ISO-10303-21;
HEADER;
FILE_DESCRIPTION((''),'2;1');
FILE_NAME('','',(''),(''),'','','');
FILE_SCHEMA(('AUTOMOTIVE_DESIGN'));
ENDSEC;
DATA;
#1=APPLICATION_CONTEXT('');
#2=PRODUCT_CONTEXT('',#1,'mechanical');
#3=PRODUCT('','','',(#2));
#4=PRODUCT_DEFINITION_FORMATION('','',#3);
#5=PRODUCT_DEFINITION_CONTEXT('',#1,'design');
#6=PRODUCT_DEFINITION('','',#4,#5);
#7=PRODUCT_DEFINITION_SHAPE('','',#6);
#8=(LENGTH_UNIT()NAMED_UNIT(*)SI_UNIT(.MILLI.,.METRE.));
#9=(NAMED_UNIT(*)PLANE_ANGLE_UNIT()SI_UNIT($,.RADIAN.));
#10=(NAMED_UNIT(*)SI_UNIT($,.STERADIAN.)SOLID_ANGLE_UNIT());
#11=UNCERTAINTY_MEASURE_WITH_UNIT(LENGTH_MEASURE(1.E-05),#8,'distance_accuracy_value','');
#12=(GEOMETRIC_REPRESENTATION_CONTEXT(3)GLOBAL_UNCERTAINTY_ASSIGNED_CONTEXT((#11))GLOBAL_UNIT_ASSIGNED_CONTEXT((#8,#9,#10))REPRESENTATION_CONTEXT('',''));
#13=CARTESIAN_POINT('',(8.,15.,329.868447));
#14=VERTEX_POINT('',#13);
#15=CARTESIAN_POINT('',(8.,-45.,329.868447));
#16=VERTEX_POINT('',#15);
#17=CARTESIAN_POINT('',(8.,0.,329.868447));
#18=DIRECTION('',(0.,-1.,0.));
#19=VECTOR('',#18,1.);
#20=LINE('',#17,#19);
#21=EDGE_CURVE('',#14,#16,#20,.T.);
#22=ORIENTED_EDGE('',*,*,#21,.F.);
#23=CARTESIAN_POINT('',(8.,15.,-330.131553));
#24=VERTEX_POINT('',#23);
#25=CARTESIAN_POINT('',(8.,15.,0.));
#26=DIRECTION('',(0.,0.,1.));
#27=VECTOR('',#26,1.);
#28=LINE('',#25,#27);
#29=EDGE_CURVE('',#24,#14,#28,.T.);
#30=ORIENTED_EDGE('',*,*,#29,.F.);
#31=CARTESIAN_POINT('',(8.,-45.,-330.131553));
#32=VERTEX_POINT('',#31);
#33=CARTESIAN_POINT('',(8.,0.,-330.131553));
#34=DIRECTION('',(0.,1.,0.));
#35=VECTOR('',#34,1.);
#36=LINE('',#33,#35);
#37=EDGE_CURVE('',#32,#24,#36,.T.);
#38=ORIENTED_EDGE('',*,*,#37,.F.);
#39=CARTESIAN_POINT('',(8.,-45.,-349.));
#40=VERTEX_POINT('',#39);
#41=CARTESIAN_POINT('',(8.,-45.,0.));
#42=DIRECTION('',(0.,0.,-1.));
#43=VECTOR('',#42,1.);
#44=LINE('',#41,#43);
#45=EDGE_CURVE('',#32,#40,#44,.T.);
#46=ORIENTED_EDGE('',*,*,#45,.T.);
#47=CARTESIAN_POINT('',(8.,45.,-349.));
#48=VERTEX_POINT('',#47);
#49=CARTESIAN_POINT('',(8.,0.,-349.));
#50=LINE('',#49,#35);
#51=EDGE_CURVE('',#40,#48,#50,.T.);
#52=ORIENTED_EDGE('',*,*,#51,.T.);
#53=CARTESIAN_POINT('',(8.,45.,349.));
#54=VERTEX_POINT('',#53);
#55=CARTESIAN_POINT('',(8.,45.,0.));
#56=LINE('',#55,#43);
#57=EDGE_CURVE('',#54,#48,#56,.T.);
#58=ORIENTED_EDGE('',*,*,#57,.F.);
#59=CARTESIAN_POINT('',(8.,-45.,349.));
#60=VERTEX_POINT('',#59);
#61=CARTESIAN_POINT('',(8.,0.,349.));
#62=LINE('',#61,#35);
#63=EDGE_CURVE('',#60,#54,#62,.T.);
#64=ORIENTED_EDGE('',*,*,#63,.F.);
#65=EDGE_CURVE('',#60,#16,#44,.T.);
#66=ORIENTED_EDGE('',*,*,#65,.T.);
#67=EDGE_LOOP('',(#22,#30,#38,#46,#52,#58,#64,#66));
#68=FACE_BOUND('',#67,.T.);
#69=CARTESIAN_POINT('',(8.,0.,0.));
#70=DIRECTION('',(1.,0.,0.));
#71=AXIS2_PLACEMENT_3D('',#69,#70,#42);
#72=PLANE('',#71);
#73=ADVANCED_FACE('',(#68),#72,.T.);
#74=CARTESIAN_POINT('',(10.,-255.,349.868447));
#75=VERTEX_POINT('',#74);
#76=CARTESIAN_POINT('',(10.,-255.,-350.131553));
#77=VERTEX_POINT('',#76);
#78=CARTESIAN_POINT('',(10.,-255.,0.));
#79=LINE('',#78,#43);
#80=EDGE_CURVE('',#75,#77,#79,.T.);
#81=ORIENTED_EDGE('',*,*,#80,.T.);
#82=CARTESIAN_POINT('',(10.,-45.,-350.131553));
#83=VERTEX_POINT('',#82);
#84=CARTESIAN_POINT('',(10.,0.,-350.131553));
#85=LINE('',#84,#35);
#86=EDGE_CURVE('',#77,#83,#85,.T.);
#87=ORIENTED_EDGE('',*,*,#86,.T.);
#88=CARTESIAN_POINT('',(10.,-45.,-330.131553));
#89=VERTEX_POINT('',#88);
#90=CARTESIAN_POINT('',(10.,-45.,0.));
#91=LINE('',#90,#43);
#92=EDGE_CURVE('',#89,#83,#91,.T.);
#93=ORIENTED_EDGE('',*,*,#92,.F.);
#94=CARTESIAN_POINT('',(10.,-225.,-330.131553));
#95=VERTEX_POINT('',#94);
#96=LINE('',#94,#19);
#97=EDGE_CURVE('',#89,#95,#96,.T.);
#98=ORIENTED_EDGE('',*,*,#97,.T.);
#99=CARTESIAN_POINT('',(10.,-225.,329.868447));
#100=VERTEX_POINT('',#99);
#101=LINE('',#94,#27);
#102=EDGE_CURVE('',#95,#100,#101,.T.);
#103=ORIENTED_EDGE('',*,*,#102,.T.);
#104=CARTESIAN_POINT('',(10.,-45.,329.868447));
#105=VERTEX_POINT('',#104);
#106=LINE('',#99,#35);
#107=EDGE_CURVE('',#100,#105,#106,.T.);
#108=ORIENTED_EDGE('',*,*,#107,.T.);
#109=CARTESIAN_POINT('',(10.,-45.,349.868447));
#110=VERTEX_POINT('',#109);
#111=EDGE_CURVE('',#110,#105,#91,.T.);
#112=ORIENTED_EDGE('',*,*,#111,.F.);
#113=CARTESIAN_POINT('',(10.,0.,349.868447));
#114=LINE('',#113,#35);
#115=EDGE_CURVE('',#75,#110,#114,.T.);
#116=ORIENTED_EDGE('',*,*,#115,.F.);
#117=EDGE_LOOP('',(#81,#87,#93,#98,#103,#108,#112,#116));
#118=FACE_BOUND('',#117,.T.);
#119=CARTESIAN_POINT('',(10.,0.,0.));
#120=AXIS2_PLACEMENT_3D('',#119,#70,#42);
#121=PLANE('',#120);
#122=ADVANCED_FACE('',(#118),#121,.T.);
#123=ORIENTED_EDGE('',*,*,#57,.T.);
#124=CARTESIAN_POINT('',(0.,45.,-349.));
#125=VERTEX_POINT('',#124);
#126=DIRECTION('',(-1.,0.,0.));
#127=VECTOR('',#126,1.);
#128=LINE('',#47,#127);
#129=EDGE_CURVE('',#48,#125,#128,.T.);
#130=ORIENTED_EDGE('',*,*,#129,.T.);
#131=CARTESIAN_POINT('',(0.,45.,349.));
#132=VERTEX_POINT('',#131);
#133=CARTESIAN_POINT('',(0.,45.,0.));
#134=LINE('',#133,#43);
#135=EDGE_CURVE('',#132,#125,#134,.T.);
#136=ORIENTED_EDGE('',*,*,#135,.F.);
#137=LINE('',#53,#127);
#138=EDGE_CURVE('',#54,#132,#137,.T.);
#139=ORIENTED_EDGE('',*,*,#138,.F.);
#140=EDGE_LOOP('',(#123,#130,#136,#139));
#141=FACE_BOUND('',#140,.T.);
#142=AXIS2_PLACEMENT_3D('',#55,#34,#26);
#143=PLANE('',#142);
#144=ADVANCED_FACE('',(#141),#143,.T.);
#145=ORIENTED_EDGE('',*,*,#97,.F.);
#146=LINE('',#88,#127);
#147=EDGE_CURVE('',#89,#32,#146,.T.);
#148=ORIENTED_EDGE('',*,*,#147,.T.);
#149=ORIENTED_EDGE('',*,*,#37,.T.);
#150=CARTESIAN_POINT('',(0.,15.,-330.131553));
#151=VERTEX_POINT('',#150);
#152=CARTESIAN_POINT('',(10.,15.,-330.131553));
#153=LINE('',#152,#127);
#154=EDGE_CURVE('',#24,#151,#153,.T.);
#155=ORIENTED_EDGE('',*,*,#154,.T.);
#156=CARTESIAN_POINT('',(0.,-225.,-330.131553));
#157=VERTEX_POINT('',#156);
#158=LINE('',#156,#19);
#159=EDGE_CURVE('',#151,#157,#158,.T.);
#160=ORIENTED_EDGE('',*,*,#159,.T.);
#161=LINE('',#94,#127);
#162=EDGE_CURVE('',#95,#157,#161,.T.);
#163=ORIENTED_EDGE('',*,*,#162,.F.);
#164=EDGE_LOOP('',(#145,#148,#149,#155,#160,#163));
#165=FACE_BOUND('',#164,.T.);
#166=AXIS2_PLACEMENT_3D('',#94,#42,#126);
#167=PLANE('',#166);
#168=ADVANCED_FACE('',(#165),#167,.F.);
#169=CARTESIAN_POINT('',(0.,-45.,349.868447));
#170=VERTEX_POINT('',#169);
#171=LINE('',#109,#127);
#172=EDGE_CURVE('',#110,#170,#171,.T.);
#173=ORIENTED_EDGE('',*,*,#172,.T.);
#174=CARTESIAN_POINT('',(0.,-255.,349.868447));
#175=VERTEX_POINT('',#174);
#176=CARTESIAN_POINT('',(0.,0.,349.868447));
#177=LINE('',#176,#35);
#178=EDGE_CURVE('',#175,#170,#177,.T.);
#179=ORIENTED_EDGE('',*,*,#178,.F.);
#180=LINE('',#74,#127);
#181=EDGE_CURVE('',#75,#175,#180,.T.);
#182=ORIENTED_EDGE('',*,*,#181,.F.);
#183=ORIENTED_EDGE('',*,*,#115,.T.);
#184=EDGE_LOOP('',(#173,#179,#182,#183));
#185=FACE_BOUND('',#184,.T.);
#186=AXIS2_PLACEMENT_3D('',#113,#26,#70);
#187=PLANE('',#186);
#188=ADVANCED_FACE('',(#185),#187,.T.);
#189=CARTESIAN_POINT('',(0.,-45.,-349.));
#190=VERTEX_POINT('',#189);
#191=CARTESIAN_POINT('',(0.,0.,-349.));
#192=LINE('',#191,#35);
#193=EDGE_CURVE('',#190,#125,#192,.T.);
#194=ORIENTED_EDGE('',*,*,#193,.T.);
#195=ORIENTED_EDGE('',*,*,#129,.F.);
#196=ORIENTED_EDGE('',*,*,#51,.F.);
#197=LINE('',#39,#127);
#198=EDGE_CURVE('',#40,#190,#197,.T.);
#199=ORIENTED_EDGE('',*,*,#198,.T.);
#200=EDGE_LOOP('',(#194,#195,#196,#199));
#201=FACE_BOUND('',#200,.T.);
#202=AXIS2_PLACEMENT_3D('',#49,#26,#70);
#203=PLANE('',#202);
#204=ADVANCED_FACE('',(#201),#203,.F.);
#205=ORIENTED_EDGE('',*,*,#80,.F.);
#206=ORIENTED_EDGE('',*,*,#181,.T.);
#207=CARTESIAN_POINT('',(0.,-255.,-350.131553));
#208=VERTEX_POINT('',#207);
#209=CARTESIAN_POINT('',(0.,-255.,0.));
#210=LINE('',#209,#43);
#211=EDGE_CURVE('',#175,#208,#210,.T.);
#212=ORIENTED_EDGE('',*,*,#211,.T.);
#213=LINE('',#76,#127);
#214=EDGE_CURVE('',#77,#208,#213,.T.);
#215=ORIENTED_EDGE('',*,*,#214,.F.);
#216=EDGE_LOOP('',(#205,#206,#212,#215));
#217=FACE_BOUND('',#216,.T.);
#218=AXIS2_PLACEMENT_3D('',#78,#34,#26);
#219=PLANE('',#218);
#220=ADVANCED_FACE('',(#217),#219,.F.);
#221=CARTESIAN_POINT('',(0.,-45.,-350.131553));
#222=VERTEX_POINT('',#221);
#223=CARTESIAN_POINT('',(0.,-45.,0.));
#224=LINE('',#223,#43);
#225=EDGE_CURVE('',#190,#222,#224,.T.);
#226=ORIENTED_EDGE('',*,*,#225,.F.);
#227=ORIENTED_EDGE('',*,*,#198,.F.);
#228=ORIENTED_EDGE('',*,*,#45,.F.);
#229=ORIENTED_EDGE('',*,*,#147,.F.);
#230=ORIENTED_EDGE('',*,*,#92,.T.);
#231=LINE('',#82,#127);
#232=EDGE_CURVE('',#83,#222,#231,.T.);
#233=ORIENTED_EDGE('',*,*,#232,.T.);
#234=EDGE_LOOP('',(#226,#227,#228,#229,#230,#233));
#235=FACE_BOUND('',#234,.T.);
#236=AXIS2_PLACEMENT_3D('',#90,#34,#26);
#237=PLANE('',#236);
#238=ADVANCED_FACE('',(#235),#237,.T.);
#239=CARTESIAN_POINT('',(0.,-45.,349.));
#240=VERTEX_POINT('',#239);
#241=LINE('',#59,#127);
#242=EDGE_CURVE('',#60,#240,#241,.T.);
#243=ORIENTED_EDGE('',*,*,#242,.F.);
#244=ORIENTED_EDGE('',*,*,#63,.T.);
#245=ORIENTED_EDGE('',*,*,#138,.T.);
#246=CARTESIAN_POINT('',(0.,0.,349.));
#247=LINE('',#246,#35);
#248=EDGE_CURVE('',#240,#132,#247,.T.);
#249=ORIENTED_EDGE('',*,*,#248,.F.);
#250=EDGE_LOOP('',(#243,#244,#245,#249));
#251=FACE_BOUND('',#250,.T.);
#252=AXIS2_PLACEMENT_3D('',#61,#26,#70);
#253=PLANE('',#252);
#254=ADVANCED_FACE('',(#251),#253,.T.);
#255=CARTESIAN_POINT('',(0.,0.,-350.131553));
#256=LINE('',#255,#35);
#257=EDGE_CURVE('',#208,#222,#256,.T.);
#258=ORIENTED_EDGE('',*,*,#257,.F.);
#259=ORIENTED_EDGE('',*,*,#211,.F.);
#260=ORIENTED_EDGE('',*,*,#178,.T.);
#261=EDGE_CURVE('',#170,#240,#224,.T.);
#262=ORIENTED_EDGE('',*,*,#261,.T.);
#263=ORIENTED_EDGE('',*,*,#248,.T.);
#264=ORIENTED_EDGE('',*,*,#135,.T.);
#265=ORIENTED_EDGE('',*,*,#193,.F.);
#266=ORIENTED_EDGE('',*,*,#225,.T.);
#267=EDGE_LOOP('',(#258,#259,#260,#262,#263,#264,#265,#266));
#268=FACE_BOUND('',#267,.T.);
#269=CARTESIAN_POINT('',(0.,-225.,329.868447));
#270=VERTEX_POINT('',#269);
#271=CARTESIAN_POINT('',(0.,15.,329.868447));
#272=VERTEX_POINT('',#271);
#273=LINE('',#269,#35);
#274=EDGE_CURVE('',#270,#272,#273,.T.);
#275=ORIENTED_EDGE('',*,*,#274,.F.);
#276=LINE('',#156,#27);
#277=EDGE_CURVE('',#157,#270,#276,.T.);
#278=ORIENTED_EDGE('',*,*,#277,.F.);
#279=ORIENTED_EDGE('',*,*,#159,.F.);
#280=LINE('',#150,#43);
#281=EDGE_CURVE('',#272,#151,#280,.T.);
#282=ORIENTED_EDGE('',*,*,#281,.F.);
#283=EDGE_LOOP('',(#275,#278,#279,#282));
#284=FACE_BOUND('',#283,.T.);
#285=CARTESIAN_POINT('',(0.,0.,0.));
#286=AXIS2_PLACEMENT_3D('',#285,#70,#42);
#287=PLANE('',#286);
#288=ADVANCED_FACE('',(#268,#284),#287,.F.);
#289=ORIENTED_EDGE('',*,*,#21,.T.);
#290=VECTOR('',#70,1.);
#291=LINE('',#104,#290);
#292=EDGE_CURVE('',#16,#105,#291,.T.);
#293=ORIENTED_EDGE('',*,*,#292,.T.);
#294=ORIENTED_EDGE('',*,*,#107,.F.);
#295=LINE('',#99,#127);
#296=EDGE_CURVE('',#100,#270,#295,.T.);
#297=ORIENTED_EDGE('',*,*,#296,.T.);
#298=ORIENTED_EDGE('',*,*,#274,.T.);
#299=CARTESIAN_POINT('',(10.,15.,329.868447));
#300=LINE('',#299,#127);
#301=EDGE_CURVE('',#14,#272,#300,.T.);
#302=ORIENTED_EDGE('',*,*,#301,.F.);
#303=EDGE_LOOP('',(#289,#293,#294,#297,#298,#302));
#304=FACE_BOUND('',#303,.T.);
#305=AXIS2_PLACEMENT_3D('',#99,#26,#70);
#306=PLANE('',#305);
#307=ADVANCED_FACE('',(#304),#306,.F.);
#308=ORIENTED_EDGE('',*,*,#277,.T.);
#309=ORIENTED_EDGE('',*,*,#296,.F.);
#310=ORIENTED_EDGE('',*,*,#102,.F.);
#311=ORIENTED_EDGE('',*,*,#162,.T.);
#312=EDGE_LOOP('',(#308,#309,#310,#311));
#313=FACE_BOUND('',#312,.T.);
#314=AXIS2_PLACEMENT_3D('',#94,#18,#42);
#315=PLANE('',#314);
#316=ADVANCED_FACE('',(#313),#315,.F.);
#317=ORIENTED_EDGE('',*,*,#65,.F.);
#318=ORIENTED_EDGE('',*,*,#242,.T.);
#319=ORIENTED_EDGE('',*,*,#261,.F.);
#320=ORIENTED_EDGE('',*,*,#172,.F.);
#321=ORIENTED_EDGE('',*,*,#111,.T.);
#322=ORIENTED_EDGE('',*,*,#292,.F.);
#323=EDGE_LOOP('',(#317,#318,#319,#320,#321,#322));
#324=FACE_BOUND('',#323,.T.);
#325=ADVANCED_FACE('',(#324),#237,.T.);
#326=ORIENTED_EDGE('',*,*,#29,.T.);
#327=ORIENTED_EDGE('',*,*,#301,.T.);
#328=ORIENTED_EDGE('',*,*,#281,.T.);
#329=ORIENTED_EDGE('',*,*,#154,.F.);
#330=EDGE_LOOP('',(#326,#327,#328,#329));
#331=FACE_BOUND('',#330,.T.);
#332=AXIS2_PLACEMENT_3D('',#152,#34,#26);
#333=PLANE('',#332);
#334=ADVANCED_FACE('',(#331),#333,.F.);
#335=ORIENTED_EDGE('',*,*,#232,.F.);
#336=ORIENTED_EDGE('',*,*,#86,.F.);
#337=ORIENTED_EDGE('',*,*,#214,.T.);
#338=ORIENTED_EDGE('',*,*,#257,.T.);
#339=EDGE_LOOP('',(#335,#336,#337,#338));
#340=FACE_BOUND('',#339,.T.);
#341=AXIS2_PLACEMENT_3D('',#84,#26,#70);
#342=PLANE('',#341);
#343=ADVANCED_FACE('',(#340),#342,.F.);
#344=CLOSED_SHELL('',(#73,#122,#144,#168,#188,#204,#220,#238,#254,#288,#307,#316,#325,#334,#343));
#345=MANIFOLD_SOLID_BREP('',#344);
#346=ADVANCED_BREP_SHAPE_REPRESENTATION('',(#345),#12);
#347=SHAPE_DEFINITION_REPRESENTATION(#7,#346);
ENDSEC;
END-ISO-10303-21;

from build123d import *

# Parameters (mm, degrees)
SALIENTE_EXTRUIR1_DEPTH = 10
CROQUIS1_3_W            = 698
CROQUIS1_3_H            = 90
SALIENTE_EXTRUIR2_DEPTH = 8
CROQUIS2_W              = 660
CROQUIS2_H              = 240
CORTAR_EXTRUIR1_DEPTH   = 10


with BuildPart() as part:
    # Croquis1 → Saliente-Extruir1 (new body)
    with BuildSketch(Plane(origin=(0, 0, 0), x_dir=(0, 0, -1), z_dir=(1, 0, 0))):
        Polygon((349, -45), (-349, -45), (-349.868447372, -45), (-349.868447372, -255), (350.131552628, -255), (350.131552628, -45), align=None)
    extrude(amount=SALIENTE_EXTRUIR1_DEPTH)

    # Croquis1<3> → Saliente-Extruir2 (add)
    with BuildSketch(Plane(origin=(0, 0, 0), x_dir=(0, 0, -1), z_dir=(1, 0, 0))):
        Rectangle(CROQUIS1_3_W, CROQUIS1_3_H)
    extrude(amount=SALIENTE_EXTRUIR2_DEPTH)

    # Croquis2 → Cortar-Extruir1 (cut)
    with BuildSketch(Plane.ZY):
        with Locations((-0.131552628, -105)):
            Rectangle(CROQUIS2_W, CROQUIS2_H)
    extrude(amount=-CORTAR_EXTRUIR1_DEPTH, mode=Mode.SUBTRACT)


solid = part.part
